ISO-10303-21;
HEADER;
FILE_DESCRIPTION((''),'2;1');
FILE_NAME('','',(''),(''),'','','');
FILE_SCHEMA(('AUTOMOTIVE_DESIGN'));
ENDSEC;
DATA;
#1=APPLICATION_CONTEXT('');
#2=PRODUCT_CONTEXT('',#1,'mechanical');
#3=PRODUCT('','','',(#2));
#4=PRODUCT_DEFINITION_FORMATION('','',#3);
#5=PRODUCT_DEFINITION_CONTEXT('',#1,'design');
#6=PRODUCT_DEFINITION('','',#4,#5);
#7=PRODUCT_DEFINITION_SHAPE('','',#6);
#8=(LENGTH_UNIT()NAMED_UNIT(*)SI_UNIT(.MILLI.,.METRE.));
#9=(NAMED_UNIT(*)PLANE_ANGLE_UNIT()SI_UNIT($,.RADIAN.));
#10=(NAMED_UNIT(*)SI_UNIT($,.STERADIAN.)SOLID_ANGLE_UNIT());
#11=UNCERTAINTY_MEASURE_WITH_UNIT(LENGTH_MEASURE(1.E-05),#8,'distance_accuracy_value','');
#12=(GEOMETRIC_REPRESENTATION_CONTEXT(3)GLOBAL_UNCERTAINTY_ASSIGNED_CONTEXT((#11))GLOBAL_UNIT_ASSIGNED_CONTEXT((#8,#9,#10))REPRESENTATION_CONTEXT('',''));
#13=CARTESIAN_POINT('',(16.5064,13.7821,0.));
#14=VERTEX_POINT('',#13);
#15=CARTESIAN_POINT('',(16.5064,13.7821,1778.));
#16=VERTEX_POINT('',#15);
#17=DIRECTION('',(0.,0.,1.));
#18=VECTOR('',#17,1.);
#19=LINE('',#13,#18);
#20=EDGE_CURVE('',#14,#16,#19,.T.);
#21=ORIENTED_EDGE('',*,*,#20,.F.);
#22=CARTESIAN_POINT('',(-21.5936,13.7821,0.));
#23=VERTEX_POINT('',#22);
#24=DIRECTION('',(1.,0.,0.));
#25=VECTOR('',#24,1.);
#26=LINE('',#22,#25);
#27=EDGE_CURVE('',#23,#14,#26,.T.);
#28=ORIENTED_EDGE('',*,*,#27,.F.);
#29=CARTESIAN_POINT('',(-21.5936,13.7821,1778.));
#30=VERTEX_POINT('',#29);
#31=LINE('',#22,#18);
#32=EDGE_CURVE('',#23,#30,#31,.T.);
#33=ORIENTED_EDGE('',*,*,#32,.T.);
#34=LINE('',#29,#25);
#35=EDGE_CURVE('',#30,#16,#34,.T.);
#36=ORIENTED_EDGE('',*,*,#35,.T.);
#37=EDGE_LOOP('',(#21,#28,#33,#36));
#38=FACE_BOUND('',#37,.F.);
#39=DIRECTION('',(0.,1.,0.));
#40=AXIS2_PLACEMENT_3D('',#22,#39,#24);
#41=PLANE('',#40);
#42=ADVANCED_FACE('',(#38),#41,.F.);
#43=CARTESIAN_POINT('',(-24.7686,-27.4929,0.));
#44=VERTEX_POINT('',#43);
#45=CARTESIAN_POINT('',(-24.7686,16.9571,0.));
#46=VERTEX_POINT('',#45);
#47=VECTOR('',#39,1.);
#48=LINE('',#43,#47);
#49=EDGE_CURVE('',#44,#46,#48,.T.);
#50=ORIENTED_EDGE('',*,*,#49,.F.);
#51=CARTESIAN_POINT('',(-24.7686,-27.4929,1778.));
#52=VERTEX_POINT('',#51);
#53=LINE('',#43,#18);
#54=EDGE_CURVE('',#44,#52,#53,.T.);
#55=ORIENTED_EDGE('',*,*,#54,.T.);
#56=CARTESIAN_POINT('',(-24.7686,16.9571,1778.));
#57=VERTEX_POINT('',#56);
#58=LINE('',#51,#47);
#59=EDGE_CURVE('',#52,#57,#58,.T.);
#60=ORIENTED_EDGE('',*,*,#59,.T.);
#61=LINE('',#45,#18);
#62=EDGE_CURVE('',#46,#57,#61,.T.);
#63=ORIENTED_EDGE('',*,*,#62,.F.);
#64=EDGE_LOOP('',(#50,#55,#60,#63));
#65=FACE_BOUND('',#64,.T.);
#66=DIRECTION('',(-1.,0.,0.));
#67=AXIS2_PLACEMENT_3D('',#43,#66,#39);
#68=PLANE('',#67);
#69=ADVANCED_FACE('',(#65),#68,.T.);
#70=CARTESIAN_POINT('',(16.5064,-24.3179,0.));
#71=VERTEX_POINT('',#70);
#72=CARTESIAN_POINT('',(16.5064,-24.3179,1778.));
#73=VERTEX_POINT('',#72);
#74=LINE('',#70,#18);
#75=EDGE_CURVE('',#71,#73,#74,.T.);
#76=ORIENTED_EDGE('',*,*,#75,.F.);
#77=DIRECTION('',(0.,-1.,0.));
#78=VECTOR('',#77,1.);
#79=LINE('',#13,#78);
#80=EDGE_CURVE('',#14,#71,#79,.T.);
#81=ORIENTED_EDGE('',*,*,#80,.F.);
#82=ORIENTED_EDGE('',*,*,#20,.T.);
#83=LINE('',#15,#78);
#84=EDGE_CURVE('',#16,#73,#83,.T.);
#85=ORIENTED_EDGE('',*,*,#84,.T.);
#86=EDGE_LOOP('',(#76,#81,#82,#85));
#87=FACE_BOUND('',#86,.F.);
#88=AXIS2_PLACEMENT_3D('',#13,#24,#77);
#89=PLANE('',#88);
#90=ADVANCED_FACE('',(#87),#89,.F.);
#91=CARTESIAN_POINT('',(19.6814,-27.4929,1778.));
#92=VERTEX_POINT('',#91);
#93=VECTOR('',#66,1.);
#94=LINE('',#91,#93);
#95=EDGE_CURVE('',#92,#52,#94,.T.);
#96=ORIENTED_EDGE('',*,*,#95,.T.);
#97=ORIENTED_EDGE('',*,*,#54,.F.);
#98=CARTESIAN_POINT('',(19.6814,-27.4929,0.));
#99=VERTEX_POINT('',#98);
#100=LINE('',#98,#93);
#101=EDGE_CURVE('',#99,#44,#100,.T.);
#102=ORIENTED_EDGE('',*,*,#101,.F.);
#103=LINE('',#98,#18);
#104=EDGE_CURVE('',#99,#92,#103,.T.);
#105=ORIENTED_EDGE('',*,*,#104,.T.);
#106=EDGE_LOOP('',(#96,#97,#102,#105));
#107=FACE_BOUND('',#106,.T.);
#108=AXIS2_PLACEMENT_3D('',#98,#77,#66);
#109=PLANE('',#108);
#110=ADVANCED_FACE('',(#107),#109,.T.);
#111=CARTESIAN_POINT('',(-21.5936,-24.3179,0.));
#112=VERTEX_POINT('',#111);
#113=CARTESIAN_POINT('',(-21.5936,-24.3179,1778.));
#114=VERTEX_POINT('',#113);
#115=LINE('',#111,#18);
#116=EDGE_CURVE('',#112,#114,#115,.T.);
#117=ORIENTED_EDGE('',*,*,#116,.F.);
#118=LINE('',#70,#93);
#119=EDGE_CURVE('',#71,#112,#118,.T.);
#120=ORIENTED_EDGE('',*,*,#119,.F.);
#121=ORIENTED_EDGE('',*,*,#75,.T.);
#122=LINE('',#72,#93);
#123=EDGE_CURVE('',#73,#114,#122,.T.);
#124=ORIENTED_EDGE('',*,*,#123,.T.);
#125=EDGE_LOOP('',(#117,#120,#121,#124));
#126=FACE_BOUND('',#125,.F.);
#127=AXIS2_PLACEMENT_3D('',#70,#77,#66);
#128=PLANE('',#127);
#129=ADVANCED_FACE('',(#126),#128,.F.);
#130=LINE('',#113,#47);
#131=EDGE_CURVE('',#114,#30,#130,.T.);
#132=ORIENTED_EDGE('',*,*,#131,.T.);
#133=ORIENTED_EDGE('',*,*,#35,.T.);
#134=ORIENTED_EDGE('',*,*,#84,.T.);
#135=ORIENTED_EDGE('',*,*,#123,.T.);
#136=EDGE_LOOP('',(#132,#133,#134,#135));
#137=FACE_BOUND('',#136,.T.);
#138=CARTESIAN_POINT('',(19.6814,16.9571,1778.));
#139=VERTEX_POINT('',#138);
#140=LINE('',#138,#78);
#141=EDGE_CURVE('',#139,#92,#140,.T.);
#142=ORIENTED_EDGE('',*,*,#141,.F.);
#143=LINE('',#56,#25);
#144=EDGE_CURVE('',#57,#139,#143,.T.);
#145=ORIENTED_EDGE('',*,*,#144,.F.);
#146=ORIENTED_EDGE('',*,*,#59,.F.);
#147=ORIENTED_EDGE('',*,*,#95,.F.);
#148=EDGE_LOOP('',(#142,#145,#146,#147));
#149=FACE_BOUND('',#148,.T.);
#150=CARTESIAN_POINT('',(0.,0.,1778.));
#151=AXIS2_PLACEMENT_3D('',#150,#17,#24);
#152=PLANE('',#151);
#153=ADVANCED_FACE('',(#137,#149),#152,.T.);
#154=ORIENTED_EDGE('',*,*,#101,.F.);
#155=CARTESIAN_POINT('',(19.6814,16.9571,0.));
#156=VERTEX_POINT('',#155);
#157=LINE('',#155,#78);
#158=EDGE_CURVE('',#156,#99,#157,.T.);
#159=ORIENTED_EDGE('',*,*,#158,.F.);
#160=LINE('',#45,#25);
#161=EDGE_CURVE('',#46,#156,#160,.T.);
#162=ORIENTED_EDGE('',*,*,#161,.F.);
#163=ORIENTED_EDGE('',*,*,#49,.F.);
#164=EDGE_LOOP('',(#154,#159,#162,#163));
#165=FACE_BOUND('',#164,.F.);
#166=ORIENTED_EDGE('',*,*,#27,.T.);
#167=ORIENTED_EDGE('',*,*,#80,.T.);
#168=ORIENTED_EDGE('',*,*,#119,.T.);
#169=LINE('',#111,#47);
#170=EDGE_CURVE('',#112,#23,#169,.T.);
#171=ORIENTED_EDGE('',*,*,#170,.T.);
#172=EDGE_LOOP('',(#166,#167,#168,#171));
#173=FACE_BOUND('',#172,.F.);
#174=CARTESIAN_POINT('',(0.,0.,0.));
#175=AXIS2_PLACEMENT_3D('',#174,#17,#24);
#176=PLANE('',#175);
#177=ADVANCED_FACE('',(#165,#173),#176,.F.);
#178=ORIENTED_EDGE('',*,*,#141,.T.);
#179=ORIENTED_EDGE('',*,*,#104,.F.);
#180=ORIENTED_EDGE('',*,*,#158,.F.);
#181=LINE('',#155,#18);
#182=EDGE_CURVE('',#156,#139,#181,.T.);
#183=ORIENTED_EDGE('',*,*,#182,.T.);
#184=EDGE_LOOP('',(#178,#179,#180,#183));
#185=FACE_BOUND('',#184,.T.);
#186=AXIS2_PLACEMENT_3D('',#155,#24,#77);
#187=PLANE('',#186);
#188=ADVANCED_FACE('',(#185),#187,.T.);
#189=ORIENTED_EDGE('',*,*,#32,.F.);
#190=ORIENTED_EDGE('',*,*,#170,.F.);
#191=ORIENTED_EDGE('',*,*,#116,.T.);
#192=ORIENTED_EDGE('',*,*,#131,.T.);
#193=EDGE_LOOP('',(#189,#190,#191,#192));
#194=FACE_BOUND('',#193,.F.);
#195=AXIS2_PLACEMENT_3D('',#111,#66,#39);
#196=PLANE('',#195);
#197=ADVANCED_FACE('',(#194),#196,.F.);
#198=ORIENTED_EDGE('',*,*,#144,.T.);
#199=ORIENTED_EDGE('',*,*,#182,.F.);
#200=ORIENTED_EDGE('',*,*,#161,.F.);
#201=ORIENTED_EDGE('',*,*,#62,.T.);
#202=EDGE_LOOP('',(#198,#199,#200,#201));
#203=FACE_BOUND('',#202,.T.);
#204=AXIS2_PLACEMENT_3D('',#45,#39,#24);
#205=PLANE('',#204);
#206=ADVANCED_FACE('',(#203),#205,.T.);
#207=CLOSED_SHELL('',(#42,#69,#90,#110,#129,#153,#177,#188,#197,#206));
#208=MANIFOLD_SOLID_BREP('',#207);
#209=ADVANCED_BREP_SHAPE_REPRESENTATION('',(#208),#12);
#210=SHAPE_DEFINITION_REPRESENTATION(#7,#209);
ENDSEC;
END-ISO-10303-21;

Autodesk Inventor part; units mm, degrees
ref_plane "YZ Plane" through (0, 0, 0) normal (1, 0, 0) x (0, 1, 0)
ref_plane "XZ Plane" through (0, 0, 0) normal (0, 1, 0) x (-1, 0, 0)
ref_plane "XY Plane" through (0, 0, 0) normal (0, 0, 1) x (1, 0, 0)
sketch "Sketch1" plane through (0, 0, 0) normal (0, 0, 1) x (1, 0, 0)
  line L0 (-24.7686, 16.9571) -> (19.6814, 16.9571)
  line L1 (19.6814, 16.9571) -> (19.6814, -27.4929)
  line L2 (19.6814, -27.4929) -> (-24.7686, -27.4929)
  line L3 (-24.7686, -27.4929) -> (-24.7686, 16.9571)
  line L4 (-21.5936, 13.7821) -> (16.5064, 13.7821)
  line L5 (16.5064, 13.7821) -> (16.5064, -24.3179)
  line L6 (16.5064, -24.3179) -> (-21.5936, -24.3179)
  line L7 (-21.5936, -24.3179) -> (-21.5936, 13.7821)
  dimension "d0" = 44.45
  dimension "d1" = 44.45
  dimension "d2" = 3.175
  dimension "d3" = 3.175
  dimension "d4" = 3.175
  dimension "d5" = 3.175
extrude "Extrusion1" add sketch "Sketch1" along normal blind 1778
equation "\"d1\" = d0"
equation "\"d3\" = d2"
equation "\"d4\" = d2"
equation "\"d5\" = d2"
properties part number "FE-00004-04"
